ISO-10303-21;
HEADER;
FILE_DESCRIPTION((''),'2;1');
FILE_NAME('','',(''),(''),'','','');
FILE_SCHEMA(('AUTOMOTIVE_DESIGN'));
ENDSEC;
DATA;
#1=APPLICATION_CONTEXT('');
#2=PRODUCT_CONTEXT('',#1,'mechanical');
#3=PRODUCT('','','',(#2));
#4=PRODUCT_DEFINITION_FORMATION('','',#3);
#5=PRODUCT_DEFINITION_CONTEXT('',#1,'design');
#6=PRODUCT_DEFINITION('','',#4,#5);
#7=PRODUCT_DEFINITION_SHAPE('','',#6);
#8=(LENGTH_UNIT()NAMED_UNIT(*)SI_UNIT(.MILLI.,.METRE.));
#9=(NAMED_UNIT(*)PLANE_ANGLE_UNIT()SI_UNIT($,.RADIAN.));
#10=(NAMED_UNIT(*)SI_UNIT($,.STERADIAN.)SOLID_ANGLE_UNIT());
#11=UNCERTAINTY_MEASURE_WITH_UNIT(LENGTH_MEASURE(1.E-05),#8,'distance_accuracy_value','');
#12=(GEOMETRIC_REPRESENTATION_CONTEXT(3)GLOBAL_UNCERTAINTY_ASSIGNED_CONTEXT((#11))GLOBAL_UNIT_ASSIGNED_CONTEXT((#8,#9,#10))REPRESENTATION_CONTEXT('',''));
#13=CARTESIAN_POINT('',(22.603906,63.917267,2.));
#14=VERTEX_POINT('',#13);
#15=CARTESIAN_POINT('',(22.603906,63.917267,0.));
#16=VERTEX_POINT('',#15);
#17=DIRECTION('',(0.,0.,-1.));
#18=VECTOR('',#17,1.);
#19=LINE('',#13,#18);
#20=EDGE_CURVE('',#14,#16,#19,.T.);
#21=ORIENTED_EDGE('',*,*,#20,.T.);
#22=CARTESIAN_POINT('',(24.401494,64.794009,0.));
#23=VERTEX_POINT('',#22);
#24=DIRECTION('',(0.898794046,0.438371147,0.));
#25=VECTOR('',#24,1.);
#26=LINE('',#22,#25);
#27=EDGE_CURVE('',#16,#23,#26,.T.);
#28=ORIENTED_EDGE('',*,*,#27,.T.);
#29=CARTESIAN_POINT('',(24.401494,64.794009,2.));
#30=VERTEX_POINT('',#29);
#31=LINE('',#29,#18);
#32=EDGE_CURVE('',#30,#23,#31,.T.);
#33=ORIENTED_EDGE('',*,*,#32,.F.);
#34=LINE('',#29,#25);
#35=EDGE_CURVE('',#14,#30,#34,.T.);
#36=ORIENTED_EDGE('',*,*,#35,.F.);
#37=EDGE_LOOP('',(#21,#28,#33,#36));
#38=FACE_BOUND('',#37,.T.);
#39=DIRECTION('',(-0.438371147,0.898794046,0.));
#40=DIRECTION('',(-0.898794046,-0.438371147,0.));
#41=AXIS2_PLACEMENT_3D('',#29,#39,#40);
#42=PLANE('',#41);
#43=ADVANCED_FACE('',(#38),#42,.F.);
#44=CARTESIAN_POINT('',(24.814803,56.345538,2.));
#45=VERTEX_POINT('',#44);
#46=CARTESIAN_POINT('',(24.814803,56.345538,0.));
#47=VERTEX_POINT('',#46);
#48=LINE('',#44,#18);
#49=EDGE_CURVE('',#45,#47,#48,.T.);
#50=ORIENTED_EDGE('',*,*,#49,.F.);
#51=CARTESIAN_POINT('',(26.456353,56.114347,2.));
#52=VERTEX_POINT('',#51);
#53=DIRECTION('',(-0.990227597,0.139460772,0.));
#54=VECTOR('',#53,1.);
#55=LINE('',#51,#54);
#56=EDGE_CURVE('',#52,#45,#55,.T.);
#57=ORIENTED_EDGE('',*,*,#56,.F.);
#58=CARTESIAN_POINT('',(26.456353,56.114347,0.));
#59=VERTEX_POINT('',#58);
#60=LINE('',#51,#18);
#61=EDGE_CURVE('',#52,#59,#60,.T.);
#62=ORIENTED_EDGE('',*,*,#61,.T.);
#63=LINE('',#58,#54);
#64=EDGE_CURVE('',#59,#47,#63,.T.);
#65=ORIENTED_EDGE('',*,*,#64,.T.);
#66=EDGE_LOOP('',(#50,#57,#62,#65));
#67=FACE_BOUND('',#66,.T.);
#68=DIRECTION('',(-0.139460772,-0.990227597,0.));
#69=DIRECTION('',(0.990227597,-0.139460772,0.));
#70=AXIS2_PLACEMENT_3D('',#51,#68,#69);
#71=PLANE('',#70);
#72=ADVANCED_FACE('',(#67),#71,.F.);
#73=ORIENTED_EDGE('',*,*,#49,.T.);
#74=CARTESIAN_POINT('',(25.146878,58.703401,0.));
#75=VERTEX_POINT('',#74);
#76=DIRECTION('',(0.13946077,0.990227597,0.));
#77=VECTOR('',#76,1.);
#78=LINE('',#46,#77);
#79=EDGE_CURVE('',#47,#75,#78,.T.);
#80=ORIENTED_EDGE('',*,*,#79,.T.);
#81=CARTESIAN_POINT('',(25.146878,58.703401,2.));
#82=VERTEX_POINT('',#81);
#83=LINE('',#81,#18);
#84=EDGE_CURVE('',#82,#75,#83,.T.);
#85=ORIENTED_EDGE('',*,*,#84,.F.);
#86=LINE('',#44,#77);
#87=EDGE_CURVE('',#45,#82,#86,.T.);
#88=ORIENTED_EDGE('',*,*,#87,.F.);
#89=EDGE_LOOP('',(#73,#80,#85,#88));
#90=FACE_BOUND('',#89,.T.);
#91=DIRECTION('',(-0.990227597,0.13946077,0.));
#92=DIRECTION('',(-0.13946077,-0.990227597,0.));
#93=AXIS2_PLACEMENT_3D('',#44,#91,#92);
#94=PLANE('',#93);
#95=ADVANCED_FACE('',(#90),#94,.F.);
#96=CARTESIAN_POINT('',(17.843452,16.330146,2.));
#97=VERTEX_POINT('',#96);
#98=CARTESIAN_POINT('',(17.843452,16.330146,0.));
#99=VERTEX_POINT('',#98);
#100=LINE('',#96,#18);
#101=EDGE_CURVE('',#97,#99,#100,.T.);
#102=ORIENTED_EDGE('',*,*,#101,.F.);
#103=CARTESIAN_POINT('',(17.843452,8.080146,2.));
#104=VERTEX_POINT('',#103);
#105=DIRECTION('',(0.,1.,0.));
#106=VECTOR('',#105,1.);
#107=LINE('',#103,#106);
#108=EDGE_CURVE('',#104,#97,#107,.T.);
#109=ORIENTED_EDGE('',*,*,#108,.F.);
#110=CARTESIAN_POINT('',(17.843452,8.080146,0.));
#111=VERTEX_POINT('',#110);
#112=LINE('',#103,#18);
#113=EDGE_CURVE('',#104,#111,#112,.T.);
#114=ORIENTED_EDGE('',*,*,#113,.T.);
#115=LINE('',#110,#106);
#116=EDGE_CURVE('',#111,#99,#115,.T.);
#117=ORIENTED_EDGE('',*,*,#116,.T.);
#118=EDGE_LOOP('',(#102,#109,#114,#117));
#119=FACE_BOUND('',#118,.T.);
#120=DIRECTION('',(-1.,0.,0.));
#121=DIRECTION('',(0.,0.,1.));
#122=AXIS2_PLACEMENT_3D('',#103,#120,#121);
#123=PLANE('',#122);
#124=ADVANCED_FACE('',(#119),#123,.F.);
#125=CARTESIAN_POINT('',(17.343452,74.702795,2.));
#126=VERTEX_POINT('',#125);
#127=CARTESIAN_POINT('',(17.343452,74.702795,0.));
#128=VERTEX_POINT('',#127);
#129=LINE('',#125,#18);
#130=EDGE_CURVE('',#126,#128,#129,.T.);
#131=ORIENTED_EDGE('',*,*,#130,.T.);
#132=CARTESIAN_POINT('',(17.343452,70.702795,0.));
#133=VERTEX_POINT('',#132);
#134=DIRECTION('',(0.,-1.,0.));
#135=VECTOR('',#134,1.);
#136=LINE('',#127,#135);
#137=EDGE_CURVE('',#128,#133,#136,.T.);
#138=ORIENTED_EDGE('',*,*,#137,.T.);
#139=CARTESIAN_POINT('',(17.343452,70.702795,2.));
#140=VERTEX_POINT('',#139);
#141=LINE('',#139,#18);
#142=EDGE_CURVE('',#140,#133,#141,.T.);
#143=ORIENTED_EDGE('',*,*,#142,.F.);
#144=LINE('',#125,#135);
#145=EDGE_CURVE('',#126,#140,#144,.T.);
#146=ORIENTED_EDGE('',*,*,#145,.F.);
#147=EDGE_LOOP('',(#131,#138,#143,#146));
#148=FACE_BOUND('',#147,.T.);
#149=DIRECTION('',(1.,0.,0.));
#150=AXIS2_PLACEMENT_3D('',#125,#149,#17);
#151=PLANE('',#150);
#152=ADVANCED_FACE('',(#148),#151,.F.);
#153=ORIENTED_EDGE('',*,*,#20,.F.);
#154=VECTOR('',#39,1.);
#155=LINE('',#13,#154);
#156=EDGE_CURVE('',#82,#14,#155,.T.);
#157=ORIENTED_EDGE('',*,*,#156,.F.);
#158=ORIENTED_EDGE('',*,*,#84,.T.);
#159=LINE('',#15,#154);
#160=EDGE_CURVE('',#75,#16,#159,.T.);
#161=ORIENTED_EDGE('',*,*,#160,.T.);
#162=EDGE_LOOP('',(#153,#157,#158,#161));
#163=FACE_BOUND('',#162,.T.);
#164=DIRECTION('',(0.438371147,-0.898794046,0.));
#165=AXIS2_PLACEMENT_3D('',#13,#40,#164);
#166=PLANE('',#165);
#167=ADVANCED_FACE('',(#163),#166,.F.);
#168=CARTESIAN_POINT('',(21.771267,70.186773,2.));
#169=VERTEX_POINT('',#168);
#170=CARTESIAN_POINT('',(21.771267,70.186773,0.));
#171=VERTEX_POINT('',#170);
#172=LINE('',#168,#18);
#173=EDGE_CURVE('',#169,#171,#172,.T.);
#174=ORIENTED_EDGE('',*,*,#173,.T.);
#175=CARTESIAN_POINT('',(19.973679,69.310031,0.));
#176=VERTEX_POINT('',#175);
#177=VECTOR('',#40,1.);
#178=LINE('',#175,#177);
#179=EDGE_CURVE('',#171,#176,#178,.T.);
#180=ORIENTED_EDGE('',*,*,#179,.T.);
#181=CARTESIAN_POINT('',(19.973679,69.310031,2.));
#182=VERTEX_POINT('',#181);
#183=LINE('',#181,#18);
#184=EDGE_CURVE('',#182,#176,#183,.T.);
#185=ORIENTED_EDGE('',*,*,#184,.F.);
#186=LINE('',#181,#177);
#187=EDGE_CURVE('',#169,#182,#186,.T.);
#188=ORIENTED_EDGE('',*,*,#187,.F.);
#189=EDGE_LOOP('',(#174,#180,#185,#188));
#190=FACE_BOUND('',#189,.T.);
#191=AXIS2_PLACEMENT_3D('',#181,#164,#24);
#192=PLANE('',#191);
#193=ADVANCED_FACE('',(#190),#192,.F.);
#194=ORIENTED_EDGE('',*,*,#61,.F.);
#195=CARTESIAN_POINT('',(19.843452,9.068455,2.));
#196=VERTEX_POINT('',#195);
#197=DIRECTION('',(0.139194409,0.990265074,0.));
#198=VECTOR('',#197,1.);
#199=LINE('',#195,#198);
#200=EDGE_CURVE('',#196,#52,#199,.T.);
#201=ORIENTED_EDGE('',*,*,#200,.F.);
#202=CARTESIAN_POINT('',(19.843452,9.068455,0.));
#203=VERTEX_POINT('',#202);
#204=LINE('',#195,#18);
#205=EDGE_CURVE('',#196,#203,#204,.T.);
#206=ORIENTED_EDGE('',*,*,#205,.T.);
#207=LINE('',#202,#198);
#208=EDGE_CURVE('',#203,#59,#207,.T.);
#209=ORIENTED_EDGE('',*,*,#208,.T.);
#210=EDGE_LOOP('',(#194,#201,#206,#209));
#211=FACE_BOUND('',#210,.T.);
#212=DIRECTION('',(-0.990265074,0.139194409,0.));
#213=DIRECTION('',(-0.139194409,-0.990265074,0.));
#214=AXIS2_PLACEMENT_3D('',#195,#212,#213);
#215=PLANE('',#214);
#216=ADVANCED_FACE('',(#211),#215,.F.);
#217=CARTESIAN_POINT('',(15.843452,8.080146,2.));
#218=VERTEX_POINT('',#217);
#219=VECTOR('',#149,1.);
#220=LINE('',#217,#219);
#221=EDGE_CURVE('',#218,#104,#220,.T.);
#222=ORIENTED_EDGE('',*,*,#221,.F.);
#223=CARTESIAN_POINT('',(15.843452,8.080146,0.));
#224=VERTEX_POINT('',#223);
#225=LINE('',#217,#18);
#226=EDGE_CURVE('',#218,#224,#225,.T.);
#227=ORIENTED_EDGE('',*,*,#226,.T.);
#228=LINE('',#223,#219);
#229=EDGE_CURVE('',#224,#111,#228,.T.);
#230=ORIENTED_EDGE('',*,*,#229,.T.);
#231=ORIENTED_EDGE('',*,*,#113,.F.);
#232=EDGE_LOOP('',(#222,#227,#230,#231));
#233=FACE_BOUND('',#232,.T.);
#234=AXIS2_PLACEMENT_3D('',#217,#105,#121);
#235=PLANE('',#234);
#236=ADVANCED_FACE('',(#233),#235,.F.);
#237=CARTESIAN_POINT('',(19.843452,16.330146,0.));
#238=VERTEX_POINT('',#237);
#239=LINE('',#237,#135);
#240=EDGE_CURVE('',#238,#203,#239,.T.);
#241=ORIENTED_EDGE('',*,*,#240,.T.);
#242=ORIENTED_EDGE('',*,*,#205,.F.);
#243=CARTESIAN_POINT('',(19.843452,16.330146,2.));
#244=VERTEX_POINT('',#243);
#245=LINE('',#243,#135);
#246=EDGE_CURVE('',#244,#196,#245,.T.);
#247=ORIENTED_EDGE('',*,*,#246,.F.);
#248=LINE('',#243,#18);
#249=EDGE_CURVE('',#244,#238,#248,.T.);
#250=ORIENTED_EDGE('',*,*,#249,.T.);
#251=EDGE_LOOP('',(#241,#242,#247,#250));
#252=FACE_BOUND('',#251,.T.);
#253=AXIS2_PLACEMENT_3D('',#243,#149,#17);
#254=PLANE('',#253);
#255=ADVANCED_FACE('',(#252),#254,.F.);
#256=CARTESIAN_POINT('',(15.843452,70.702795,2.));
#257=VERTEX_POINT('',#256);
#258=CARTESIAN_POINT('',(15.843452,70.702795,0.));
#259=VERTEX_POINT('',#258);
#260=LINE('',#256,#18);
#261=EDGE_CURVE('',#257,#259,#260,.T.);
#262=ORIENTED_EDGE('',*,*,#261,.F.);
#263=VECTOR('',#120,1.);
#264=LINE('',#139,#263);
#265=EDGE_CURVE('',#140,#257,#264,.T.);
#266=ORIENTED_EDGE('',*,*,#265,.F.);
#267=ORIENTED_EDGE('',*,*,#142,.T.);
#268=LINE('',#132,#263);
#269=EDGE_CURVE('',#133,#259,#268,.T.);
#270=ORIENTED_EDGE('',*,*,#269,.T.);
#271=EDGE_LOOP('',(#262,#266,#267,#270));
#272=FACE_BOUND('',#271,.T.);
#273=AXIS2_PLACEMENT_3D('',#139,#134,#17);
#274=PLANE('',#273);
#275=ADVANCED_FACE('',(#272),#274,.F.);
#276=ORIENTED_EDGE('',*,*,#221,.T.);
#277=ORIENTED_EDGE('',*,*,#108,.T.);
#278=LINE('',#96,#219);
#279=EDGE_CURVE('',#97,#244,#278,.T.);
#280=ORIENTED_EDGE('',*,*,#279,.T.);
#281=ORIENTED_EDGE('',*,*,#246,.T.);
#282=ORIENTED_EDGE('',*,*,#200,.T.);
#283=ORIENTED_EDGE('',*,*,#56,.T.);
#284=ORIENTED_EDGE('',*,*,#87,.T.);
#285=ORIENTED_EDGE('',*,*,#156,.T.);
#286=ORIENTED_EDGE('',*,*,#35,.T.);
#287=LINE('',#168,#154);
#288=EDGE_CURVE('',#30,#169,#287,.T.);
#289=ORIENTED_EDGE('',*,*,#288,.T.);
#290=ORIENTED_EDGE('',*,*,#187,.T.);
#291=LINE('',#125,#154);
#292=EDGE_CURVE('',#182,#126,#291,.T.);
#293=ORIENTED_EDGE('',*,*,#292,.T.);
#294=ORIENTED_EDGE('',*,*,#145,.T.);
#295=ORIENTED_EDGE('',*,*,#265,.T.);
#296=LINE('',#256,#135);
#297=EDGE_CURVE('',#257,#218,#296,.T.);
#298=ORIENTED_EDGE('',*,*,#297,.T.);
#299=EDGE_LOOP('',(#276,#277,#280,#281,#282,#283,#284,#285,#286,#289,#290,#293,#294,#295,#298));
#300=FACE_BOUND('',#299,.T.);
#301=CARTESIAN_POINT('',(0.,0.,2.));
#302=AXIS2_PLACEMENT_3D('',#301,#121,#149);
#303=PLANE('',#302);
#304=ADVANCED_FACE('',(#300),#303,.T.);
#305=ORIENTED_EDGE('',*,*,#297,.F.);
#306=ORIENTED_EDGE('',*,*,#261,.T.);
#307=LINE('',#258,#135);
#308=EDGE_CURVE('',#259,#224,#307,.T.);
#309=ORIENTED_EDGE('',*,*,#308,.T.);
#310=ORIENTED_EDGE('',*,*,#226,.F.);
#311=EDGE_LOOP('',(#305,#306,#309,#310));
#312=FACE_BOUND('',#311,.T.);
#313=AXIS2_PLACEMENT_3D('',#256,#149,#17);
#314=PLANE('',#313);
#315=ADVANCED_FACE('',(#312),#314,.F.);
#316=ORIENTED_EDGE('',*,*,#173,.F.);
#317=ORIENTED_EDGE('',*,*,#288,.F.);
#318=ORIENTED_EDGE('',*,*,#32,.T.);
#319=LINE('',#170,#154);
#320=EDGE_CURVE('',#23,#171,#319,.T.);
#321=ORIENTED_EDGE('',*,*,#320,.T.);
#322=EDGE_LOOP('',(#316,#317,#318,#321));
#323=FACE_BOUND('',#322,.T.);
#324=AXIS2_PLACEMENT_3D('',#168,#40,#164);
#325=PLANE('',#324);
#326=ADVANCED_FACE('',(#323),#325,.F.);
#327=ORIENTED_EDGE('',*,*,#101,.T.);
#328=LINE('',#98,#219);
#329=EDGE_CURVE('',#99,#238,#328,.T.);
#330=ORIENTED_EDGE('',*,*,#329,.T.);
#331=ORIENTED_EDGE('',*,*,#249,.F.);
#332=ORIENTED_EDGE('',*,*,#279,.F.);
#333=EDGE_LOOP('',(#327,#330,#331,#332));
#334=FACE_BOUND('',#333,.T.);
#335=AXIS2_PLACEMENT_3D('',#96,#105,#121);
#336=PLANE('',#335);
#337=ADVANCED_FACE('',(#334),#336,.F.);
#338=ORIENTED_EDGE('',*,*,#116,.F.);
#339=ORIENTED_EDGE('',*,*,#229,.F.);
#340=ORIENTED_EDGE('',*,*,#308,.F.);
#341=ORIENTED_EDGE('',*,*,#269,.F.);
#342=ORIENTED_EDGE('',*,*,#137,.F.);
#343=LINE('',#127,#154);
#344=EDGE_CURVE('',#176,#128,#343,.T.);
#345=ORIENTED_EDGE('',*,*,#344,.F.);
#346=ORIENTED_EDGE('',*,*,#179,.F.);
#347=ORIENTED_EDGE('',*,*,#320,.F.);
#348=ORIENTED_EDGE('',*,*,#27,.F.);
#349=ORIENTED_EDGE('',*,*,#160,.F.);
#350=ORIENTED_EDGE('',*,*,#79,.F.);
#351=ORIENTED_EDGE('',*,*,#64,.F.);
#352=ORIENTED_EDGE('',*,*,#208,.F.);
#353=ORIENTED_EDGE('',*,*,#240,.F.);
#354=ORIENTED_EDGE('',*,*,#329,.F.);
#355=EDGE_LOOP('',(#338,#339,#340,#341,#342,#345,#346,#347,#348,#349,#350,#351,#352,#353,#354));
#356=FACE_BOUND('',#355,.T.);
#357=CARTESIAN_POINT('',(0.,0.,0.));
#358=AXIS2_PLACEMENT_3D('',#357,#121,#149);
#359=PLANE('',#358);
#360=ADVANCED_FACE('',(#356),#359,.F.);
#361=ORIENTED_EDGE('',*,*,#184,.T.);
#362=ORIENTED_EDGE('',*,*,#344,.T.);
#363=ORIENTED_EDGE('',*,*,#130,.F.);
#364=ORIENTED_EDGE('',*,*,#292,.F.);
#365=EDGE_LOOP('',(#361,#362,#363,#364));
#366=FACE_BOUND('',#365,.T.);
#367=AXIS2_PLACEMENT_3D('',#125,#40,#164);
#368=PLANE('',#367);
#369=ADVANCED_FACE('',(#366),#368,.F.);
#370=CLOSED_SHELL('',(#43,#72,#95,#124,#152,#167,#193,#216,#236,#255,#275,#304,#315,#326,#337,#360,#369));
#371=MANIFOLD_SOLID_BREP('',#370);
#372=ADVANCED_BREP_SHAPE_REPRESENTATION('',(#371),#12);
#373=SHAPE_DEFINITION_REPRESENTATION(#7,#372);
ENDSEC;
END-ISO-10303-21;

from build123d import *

# Parameters (mm, degrees)
EXTRUDE_1_DEPTH = 2


with BuildPart() as part:
    # 草图1 → 凸台-拉伸1 (new body)
    with BuildSketch(Plane.XY):
        Polygon((17.343451833, 74.702795301), (17.343451833, 70.702795301), (15.843451833, 70.702795301), (15.843451833, 8.08014643), (17.843451833, 8.08014643), (17.843451833, 16.33014643), (19.843451833, 16.33014643), (19.843451833, 9.068454854), (26.45635308, 56.114347005), (24.814803102, 56.345538126), (25.146877684, 58.703401304), (22.603905595, 63.917266745), (24.401493687, 64.794009039), (21.771266806, 70.186773317), (19.973678714, 69.310031023), align=None)
    extrude(amount=EXTRUDE_1_DEPTH)


solid = part.part
